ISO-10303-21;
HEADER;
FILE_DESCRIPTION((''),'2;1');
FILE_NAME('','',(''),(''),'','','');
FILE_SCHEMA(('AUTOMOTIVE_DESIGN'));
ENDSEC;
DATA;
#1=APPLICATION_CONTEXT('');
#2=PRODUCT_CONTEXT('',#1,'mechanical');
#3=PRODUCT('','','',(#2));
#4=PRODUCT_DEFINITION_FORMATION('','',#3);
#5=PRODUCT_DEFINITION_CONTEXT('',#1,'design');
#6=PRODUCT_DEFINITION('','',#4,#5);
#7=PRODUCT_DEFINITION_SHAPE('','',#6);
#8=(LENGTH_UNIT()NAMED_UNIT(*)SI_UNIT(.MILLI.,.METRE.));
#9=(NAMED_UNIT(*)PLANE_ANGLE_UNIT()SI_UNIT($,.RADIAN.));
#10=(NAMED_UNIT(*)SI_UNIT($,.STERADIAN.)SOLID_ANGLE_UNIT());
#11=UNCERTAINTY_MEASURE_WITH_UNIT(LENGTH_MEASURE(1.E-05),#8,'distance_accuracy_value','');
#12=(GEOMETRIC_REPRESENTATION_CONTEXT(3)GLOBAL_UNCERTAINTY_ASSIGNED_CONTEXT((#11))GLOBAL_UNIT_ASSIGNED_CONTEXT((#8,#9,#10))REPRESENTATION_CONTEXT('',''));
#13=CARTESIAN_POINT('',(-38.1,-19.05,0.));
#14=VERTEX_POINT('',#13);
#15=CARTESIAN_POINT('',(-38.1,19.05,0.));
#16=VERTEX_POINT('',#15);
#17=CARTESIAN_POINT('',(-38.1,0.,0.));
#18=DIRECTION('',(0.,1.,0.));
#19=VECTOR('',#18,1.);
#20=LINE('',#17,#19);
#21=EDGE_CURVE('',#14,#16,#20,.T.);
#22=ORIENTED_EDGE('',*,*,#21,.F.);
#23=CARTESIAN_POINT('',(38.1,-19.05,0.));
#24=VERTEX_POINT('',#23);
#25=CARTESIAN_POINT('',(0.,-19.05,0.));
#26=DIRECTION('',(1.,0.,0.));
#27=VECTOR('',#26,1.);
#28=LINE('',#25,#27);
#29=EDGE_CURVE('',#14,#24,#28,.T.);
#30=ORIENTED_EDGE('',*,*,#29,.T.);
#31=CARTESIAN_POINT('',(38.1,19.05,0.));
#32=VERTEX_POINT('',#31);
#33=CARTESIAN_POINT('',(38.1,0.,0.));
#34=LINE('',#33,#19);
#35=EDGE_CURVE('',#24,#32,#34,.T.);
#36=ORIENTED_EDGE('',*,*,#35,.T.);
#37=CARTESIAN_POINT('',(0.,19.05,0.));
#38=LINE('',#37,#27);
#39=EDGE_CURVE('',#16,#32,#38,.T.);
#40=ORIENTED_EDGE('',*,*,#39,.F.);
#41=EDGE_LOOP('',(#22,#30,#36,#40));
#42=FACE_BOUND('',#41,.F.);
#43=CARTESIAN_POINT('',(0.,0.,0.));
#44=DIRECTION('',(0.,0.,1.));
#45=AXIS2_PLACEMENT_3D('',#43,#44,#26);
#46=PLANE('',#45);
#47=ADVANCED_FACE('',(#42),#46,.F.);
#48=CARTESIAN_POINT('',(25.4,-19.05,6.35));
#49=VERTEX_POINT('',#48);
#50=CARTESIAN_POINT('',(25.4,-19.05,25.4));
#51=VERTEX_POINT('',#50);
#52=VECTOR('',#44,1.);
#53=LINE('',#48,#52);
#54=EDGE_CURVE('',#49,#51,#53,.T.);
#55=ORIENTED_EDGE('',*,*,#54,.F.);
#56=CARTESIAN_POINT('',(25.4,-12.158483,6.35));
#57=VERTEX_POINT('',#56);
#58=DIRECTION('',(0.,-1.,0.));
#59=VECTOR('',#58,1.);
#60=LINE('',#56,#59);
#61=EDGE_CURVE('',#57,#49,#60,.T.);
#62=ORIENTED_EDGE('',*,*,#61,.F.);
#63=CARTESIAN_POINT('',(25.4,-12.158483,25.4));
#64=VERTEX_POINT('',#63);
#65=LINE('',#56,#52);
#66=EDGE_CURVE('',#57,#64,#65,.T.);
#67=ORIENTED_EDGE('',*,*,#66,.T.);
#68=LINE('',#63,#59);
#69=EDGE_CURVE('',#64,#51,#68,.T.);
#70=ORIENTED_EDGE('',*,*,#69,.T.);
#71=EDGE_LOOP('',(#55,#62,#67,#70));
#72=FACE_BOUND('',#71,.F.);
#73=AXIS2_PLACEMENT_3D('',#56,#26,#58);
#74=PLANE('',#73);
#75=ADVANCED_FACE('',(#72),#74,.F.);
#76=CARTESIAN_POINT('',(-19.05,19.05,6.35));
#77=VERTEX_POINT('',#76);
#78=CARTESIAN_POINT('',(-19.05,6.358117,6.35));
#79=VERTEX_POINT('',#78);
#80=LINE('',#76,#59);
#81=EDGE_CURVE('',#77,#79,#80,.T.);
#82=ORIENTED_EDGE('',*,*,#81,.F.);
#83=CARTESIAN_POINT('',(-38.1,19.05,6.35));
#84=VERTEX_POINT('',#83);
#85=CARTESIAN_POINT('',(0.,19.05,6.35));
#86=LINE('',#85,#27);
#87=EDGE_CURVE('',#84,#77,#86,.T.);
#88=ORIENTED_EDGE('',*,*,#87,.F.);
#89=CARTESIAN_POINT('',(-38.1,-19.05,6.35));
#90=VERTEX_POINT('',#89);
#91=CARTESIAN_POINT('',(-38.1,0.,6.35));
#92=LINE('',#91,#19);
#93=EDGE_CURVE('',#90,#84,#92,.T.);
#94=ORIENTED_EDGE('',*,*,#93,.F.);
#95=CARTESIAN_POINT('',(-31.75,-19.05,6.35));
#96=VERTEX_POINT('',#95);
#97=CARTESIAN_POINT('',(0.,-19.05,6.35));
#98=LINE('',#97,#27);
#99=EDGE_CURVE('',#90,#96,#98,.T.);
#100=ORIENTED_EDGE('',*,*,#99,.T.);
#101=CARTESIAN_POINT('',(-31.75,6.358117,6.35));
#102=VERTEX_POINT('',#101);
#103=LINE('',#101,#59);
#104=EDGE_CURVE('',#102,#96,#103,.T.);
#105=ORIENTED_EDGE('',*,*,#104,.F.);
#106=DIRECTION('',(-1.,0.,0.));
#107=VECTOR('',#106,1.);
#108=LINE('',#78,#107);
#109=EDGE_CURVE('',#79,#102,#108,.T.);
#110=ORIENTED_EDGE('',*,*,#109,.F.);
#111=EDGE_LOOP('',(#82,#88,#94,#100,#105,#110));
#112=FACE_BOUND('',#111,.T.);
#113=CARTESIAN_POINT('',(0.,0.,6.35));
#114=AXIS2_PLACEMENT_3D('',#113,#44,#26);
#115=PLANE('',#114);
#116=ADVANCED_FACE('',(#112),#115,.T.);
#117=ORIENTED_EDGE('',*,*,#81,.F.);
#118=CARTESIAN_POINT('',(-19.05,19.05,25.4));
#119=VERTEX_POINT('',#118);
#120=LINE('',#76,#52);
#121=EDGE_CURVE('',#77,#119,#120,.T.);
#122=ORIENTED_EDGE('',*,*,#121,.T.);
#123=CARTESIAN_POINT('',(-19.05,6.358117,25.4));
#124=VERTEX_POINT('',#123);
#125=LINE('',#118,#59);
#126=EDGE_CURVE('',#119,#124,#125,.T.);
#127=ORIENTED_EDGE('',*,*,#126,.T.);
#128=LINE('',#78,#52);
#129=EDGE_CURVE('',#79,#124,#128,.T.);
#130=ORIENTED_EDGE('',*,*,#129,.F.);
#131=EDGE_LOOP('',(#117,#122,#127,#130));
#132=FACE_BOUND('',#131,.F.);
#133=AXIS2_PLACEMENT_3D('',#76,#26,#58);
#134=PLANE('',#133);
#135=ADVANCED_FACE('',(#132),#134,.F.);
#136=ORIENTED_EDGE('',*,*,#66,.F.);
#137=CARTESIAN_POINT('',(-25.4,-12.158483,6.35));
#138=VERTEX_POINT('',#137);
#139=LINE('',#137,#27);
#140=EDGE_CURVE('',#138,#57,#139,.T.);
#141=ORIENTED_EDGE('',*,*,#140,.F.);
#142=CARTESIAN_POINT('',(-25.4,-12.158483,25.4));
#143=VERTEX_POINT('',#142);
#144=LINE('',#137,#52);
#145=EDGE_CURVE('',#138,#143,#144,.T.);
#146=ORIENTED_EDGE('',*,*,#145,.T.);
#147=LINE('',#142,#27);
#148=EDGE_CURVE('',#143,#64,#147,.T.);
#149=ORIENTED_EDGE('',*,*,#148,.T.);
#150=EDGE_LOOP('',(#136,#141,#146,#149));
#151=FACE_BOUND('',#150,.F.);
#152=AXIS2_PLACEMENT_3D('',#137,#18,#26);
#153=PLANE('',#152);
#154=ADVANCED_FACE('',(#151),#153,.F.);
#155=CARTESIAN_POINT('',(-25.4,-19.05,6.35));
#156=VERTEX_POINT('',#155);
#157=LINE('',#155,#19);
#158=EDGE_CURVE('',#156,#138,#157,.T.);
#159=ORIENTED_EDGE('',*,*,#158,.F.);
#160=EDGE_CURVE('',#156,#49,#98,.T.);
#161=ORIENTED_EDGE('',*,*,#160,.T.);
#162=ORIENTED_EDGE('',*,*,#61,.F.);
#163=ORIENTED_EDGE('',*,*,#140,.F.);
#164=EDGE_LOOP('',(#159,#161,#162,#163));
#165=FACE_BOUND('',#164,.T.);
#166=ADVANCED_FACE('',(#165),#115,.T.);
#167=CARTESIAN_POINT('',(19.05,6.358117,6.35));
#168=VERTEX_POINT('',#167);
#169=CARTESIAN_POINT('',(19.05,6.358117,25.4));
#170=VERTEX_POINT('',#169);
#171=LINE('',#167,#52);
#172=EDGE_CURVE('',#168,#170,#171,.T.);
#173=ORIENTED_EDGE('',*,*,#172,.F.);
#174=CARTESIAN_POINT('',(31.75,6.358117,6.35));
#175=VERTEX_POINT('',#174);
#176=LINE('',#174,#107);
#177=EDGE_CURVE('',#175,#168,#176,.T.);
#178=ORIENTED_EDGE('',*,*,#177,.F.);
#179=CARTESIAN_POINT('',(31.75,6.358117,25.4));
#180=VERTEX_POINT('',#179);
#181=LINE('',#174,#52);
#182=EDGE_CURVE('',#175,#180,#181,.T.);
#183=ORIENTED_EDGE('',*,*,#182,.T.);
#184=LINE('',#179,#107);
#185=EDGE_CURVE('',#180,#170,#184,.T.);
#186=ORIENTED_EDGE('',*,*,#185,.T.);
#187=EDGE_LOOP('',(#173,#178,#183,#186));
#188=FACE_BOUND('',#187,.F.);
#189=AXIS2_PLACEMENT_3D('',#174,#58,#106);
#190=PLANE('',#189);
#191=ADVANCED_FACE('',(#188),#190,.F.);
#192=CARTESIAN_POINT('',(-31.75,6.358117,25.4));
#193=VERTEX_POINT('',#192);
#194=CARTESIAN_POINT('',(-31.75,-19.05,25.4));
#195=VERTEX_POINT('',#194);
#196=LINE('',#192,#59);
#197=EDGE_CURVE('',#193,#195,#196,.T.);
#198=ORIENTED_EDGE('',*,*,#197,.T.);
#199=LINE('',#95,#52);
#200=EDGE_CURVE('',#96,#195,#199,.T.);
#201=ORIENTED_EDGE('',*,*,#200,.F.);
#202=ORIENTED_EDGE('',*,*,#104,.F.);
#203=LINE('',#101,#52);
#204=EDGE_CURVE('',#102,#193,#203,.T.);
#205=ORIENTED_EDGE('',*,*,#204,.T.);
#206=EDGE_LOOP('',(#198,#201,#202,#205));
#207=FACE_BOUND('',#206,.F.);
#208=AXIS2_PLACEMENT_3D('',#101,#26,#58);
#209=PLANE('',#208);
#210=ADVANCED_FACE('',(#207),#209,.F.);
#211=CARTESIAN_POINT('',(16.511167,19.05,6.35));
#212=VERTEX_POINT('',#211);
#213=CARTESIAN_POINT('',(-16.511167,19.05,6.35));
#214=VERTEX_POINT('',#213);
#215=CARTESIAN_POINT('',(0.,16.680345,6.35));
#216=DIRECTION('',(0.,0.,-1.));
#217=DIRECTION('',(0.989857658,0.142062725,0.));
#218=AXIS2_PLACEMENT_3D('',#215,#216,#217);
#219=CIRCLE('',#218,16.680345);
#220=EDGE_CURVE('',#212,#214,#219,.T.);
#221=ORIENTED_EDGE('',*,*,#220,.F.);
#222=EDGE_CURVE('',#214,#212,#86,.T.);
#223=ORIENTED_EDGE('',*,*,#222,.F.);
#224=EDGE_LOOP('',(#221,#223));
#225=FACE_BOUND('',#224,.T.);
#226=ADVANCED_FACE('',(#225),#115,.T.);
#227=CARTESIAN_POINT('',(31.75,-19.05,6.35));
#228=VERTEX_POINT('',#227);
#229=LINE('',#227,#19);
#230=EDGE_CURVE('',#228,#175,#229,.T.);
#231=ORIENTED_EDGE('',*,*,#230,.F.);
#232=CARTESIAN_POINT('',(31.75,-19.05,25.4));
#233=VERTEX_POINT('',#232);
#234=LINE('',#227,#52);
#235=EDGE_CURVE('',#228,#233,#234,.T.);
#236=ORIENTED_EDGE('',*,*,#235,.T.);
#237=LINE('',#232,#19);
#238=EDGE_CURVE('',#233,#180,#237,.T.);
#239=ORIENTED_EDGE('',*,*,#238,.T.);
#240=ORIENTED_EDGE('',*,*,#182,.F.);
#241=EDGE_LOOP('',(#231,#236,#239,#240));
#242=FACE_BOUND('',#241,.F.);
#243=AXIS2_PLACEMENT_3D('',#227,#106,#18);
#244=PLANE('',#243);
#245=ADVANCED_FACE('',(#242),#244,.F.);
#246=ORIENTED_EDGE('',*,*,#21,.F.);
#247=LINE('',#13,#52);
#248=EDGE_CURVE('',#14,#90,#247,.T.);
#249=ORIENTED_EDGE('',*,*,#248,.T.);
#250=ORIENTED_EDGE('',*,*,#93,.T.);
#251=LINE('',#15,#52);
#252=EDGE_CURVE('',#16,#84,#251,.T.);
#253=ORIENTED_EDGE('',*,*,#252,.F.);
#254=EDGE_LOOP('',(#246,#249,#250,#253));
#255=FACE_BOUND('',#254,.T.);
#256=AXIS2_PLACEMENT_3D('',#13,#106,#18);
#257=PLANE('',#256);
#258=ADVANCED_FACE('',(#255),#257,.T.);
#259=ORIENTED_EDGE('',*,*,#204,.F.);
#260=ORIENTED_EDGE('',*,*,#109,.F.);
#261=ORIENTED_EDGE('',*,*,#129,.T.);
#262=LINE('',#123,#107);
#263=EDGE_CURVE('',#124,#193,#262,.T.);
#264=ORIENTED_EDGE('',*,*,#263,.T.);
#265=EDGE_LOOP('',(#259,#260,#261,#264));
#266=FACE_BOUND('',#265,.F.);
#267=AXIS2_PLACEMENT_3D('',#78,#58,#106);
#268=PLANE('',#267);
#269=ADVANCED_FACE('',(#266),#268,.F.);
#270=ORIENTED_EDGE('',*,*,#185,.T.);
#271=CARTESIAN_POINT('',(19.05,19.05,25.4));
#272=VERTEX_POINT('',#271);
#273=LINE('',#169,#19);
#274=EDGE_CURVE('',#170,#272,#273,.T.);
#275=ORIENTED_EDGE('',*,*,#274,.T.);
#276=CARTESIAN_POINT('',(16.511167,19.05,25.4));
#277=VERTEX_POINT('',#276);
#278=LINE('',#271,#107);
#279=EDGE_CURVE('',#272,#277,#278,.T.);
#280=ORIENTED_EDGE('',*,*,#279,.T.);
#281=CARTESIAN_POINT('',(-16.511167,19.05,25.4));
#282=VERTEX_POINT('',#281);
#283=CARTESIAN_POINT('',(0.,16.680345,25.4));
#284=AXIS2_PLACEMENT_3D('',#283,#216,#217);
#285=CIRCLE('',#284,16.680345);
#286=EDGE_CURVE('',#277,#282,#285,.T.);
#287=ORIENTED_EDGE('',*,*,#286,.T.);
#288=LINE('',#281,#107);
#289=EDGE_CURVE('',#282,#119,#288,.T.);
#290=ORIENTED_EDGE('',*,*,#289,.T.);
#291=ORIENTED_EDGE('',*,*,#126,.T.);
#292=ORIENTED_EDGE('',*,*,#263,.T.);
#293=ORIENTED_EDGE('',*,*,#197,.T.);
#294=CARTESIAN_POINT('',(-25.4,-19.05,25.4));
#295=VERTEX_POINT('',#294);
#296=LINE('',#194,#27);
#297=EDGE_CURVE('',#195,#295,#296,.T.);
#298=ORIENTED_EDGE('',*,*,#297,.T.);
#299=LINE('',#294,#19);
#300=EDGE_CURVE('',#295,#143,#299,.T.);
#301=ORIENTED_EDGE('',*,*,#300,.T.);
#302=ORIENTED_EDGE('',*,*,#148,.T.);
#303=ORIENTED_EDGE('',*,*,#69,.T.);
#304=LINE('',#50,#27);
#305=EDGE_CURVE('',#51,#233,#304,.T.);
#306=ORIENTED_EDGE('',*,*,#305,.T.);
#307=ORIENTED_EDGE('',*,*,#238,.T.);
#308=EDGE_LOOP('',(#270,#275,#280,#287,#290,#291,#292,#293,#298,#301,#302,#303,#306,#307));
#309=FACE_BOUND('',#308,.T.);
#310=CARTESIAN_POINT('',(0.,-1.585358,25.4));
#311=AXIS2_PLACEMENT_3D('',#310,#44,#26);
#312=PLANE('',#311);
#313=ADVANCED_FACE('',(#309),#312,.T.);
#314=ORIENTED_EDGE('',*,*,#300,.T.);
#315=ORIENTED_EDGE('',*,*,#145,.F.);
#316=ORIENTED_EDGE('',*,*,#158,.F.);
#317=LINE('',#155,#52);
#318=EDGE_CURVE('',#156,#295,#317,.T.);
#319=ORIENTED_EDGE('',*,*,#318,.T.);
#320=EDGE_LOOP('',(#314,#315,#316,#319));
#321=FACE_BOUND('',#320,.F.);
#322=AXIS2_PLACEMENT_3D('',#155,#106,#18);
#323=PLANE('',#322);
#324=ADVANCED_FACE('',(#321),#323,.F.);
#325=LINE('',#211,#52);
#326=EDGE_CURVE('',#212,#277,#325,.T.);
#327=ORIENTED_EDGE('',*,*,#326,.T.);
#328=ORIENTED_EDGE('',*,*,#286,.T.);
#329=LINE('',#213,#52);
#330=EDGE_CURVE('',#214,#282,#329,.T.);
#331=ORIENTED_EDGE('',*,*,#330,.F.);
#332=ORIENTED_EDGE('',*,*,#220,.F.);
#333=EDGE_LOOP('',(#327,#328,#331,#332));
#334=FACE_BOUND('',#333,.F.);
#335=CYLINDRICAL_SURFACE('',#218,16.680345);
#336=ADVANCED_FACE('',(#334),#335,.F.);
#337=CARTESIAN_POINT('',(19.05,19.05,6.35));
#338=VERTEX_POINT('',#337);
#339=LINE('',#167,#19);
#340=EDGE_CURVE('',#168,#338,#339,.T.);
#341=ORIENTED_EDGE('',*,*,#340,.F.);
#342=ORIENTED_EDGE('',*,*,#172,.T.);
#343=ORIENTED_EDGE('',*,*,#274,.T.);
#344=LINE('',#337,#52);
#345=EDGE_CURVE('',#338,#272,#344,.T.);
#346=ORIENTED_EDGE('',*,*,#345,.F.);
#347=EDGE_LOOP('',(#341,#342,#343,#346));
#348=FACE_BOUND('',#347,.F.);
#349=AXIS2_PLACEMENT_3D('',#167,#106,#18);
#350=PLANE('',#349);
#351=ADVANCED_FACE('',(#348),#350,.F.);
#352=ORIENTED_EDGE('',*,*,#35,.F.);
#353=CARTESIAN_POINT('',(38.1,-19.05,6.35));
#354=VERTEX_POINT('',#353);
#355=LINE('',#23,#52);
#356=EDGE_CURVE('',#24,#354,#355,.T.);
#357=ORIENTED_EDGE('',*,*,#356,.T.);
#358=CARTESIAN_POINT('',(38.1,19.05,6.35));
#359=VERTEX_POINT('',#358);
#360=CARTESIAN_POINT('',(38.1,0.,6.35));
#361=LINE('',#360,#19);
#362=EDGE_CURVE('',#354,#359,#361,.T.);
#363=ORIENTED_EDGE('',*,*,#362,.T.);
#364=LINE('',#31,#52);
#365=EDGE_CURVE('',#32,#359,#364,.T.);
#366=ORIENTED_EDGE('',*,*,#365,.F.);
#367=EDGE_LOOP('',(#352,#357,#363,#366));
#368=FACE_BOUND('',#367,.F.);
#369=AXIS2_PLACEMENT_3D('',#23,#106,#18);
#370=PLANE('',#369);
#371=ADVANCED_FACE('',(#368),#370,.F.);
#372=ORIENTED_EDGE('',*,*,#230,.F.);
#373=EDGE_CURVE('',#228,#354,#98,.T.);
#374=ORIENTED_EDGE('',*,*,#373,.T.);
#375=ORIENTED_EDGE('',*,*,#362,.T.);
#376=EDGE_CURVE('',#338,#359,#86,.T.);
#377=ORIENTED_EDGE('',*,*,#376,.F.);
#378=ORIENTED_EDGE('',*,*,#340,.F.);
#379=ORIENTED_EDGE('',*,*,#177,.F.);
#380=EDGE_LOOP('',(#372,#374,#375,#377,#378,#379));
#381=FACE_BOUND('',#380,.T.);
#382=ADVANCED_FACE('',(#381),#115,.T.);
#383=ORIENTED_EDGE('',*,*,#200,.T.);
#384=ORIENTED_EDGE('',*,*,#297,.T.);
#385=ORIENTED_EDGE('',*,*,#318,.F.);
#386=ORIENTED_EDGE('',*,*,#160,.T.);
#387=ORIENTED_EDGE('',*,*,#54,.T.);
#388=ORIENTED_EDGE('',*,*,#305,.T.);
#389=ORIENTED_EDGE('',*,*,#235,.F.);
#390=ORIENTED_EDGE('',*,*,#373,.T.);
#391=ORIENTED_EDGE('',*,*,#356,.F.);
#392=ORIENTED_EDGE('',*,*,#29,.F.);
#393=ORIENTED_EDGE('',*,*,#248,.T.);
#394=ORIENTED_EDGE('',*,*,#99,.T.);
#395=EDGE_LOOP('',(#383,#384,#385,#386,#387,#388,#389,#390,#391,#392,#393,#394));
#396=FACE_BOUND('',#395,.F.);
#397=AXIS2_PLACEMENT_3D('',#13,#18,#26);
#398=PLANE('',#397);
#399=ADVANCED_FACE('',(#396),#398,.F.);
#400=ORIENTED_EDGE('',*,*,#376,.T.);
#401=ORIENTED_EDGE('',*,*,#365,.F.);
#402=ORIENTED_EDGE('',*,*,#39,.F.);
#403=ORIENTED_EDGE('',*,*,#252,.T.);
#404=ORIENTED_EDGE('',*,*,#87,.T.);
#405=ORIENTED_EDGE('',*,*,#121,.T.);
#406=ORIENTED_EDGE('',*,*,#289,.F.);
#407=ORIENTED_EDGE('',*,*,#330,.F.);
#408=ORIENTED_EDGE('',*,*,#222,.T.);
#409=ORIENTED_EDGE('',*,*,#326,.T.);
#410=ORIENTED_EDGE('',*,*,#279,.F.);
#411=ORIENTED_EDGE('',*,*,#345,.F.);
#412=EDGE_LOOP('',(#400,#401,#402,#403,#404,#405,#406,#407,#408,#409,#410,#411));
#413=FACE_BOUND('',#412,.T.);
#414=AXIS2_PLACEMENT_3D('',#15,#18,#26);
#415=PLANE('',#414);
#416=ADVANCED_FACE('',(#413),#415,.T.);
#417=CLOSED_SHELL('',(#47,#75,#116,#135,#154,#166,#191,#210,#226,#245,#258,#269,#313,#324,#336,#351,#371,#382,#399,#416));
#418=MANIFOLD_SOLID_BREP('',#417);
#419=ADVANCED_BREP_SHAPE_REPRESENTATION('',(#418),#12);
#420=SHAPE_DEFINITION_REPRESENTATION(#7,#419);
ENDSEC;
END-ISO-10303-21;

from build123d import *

# Parameters (mm, degrees)
F0_W     = 76.2
F0_H     = 38.1
F1_DEPTH = 6.35
F4_DEPTH = 19.05


with BuildPart() as f1:
    # F0 (on Top) → F1 (new body)
    with BuildSketch(Plane.XY):
        Rectangle(F0_W, F0_H)
    extrude(amount=F1_DEPTH)

    # F3 (on face) → F4 (join)
    with BuildSketch(Plane.XY.offset(6.35)):
        with BuildLine():
            Line((-25.4, -12.158483), (25.4, -12.158483))
            Line((25.4, -12.158483), (25.4, -19.05))
            Line((25.4, -19.05), (31.75, -19.05))
            Line((31.75, -19.05), (31.75, 6.358117))
            Line((31.75, 6.358117), (19.05, 6.358117))
            Line((19.05, 6.358117), (19.05, 19.05))
            Line((19.05, 19.05), (16.511167, 19.05))
            ThreePointArc((16.511167, 19.05), (0, 0), (-16.511167, 19.05))
            Line((-16.511167, 19.05), (-19.05, 19.05))
            Line((-19.05, 19.05), (-19.05, 6.358117))
            Line((-19.05, 6.358117), (-31.75, 6.358117))
            Line((-31.75, 6.358117), (-31.75, -19.05))
            Line((-31.75, -19.05), (-25.4, -19.05))
            Line((-25.4, -19.05), (-25.4, -12.158483))
        make_face()
    extrude(amount=F4_DEPTH)


solid = f1.part
